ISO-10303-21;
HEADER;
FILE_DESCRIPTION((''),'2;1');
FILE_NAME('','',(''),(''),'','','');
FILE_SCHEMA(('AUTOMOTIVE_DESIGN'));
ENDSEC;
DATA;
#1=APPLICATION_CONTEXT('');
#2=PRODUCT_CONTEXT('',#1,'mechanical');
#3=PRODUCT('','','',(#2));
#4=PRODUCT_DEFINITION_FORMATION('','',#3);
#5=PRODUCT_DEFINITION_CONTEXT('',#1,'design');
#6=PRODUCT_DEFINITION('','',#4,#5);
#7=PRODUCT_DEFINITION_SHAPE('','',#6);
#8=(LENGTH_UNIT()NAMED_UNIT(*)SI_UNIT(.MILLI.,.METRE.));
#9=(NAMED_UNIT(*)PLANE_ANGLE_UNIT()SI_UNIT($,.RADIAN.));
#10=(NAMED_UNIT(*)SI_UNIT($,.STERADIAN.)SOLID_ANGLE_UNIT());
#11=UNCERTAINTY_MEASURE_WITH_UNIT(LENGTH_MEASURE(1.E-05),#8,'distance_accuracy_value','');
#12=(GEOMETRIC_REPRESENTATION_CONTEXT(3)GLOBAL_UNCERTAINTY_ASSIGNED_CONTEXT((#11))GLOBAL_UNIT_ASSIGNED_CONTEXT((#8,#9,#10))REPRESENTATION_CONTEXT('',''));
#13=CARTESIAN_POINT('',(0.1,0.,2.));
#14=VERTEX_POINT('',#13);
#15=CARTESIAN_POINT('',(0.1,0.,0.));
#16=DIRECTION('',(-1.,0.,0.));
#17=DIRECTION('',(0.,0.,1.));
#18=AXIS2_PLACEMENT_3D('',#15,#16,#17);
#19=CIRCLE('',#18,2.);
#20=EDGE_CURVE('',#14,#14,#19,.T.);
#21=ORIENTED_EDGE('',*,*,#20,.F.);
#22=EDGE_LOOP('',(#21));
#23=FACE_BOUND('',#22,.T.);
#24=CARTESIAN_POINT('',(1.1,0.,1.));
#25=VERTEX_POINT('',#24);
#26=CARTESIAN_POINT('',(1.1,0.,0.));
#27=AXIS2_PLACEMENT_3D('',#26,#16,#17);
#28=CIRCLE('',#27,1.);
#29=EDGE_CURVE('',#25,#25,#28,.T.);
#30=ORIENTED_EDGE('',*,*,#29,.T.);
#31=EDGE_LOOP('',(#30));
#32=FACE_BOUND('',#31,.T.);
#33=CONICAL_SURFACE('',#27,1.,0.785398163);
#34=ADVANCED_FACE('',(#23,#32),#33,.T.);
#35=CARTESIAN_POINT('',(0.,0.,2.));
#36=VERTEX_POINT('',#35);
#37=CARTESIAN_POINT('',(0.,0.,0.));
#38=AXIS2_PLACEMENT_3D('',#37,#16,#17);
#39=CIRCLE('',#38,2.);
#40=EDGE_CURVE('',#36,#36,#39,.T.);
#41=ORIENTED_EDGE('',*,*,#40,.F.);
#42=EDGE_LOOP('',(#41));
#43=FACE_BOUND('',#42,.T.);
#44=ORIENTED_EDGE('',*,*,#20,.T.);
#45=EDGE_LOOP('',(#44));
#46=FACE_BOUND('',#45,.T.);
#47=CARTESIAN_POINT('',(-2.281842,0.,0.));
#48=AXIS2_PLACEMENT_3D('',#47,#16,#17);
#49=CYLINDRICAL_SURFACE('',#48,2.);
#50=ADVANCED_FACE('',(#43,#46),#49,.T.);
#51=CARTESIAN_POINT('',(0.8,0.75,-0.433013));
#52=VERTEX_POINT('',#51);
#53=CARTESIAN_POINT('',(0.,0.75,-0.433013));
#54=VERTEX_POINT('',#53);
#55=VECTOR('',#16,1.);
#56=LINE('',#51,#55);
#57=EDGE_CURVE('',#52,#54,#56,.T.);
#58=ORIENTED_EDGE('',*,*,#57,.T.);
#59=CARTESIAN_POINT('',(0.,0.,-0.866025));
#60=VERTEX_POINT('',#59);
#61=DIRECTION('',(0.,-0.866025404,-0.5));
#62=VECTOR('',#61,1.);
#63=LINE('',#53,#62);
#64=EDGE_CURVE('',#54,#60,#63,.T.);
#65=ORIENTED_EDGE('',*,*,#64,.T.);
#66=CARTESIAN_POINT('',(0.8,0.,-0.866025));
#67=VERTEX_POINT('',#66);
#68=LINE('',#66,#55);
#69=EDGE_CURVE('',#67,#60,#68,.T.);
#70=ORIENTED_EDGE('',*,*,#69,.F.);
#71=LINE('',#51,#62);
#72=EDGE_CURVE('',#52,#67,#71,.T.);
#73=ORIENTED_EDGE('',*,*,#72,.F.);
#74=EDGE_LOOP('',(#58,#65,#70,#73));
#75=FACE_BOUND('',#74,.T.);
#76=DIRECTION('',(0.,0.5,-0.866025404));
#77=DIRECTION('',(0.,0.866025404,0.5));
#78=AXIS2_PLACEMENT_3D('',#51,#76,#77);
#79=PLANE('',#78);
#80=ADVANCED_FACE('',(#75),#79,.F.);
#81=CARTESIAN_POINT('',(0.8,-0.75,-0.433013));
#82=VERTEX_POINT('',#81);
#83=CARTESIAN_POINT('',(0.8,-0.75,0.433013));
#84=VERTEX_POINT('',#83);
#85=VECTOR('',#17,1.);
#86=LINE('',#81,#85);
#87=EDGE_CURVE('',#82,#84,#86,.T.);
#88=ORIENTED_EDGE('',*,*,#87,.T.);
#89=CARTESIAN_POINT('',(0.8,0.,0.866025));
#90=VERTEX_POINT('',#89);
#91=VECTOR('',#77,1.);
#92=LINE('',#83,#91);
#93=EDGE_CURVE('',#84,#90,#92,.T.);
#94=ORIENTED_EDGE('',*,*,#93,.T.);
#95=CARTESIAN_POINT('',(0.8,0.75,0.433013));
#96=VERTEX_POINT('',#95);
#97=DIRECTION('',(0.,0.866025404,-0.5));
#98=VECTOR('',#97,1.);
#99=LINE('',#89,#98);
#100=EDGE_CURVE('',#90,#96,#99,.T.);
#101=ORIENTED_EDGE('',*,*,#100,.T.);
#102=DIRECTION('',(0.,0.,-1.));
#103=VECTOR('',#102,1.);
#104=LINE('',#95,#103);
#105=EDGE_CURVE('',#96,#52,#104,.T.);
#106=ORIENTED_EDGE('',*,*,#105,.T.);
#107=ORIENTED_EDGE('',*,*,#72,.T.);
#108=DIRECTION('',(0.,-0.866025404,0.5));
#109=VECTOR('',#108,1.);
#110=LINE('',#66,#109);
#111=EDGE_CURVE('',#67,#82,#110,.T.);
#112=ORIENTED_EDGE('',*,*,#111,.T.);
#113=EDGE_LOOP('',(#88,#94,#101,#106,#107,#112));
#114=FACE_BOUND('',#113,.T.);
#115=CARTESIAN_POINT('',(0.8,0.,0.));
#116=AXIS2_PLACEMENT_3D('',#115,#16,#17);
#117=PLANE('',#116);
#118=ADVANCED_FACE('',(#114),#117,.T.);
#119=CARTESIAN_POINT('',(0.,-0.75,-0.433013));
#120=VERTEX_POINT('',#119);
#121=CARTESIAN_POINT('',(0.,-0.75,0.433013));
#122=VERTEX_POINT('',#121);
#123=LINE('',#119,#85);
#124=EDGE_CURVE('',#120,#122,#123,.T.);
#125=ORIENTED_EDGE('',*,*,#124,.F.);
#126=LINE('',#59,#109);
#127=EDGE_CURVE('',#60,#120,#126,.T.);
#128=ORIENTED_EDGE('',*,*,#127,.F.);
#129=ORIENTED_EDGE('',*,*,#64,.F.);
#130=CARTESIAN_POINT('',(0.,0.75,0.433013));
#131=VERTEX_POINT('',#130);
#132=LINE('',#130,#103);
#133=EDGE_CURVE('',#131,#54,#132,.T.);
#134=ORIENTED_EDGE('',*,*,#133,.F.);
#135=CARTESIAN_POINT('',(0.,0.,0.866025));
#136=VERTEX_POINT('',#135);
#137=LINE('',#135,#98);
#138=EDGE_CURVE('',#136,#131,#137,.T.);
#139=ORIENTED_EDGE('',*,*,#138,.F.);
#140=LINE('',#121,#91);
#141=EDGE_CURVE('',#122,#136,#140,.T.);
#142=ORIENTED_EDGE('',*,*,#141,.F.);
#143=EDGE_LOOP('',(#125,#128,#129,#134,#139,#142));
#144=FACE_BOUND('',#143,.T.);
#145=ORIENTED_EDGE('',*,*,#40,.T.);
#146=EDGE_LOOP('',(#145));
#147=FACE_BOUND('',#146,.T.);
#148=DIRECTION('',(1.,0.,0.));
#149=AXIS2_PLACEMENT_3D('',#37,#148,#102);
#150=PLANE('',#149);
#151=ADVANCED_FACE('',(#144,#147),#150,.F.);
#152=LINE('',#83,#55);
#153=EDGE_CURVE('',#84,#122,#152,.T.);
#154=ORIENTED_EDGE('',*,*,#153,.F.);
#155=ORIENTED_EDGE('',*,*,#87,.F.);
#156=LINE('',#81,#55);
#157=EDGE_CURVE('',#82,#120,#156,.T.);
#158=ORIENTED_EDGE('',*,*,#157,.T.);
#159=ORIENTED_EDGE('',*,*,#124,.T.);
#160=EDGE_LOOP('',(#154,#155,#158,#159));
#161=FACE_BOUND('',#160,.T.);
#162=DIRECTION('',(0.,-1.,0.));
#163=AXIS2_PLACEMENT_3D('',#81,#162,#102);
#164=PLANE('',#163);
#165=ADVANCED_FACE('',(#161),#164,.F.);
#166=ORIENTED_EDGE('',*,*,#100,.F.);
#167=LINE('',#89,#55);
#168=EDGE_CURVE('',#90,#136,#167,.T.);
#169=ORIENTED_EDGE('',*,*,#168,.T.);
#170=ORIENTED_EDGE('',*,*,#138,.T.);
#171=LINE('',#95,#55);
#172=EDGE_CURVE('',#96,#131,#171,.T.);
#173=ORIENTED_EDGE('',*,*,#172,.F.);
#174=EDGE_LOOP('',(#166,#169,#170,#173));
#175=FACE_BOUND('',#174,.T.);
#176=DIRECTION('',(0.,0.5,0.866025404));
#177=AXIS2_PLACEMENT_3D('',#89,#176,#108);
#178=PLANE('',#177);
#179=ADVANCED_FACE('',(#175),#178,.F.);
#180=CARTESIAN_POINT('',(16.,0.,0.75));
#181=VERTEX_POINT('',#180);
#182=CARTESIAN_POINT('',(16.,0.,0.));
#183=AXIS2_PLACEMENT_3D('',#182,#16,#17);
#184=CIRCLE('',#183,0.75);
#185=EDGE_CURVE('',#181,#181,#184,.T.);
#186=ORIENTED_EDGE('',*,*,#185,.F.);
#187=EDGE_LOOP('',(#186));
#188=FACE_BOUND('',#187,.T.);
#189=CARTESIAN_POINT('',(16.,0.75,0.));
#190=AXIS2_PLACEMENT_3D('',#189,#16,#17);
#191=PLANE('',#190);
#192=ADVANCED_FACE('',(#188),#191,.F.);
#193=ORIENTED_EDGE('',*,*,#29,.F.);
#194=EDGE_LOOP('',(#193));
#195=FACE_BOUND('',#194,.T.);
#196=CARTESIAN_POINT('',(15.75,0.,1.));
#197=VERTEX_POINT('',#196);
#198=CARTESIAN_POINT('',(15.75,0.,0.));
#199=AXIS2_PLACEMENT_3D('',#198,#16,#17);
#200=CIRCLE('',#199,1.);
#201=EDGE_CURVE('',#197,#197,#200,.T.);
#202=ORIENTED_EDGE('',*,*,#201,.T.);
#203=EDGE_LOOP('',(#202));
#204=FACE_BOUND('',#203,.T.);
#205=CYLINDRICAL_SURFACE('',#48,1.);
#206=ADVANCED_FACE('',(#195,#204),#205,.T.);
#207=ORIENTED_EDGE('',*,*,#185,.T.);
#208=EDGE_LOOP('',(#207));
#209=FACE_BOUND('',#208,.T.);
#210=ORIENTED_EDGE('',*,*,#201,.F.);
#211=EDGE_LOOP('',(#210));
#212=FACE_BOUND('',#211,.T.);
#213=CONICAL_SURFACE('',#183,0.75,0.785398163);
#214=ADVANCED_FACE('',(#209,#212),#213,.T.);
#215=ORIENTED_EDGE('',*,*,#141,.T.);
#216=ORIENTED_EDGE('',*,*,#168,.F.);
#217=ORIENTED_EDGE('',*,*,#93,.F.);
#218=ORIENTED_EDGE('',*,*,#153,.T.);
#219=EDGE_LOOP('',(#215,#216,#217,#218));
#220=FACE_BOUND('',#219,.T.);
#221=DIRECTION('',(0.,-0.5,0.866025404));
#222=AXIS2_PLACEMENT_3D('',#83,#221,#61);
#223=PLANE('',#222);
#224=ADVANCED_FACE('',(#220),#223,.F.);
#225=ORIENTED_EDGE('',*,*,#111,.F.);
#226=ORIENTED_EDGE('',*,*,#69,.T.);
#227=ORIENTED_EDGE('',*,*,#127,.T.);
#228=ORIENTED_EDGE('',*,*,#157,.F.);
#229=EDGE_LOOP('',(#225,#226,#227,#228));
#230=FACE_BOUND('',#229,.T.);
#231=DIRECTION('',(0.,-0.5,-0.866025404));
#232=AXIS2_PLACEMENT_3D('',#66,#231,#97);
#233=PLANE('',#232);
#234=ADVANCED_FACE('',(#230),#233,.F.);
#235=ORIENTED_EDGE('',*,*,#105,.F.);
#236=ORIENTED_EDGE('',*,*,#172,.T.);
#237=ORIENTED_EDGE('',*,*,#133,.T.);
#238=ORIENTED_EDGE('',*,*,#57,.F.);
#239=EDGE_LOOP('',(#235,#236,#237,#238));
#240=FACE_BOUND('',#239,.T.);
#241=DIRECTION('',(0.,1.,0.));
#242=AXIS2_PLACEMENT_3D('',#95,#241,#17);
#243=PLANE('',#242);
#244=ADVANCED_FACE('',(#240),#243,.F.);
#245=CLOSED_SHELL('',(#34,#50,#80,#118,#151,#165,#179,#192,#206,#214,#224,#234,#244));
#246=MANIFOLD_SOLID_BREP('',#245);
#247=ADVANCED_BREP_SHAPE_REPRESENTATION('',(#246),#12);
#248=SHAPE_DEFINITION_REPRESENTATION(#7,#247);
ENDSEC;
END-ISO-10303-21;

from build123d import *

# Parameters (mm, degrees)
CUT_EXTRUDE1_DEPTH = 0.8


with BuildPart() as part:
    # Sketch2 → Revolve1 (revolve)
    with BuildSketch(Plane.XY):
        Polygon((0, 0), (0, 2), (0.1, 2), (1.1, 1), (15.75, 1), (16, 0.75), (16, 0), align=None)
    revolve(axis=Axis((-2.281841559, 0, 0), (1, 0, 0)))

    # Sketch3 → Cut-Extrude1 (cut)
    with BuildSketch(Plane.ZY):
        Polygon((0.433012702, -0.75), (0.866025404, 0), (0.433012702, 0.75), (-0.433012702, 0.75), (-0.866025404, 0), (-0.433012702, -0.75), align=None)
    extrude(amount=-CUT_EXTRUDE1_DEPTH, mode=Mode.SUBTRACT)


solid = part.part
